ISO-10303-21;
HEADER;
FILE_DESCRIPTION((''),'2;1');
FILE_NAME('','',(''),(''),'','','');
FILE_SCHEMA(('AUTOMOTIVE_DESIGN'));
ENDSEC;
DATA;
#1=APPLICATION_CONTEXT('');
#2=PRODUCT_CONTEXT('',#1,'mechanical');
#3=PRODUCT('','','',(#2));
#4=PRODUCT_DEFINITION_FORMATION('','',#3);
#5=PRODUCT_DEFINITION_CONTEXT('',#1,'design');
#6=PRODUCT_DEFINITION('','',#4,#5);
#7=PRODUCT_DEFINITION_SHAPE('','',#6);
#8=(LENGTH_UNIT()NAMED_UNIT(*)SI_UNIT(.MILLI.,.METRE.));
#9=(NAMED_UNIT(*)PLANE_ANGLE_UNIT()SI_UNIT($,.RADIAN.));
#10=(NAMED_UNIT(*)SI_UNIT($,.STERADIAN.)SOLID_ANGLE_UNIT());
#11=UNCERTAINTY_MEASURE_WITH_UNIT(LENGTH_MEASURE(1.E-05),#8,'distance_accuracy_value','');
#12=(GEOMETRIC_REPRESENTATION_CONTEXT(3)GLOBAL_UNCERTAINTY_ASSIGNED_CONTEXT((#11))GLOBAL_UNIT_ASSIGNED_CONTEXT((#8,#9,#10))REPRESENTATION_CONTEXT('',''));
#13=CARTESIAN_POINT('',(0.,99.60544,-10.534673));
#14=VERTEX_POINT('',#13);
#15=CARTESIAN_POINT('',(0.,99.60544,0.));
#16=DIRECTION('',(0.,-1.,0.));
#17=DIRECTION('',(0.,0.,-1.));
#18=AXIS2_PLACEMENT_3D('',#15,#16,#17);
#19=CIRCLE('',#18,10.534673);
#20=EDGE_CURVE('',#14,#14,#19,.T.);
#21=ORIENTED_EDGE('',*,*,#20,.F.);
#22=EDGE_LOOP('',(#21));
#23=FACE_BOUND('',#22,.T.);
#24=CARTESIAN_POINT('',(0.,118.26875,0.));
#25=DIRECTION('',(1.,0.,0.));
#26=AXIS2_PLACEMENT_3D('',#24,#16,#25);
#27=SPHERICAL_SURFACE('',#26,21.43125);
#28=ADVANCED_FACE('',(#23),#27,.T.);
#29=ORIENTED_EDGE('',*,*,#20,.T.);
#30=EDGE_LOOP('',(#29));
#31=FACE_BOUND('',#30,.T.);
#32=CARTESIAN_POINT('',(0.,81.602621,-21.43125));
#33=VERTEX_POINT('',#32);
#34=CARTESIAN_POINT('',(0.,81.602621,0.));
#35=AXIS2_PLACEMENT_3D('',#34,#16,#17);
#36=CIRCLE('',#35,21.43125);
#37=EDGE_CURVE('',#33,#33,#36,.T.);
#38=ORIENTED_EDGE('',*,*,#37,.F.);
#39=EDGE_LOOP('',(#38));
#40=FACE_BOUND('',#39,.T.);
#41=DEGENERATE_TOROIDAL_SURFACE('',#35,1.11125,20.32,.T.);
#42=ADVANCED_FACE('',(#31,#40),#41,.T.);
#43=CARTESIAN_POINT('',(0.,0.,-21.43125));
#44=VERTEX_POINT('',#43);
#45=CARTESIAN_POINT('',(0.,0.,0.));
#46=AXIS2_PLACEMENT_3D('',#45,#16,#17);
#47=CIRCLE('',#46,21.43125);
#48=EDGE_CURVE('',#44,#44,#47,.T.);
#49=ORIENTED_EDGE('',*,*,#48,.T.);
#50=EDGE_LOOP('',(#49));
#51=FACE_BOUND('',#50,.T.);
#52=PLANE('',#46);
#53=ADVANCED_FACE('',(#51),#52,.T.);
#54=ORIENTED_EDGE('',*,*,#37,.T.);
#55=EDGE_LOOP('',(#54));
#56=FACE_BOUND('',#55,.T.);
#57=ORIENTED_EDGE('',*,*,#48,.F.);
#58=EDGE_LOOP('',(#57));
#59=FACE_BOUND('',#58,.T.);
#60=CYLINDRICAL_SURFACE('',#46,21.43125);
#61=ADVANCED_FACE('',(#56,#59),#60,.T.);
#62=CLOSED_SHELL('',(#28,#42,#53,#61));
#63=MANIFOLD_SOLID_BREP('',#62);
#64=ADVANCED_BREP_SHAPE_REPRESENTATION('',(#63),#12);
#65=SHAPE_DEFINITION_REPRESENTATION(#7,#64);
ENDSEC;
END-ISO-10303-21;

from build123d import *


with BuildPart() as part:
    # Sketch1 → Revolve1 (revolve)
    with BuildSketch(Plane.XY):
        with BuildLine():
            Line((0, 96.8375), (0, 0))
            Line((0, 0), (21.43125, 0))
            Line((21.43125, 0), (21.43125, 81.602620674))
            ThreePointArc((21.43125, 81.602620674), (18.494954345, 92.124465724), (10.534672909, 99.605439917))
            ThreePointArc((10.534672909, 99.605439917), (5.44611845, 97.541032557), (0, 96.8375))
        make_face()
        with BuildLine():
            Line((0, 139.7), (0, 96.8375))
            ThreePointArc((0, 96.8375), (5.44611845, 97.541032557), (10.534672909, 99.605439917))
            ThreePointArc((10.534672909, 99.605439917), (20.727717443, 123.71486845), (0, 139.7))
        make_face()
    revolve(axis=Axis((0, 0, 0), (0, 1, 0)))


solid = part.part
